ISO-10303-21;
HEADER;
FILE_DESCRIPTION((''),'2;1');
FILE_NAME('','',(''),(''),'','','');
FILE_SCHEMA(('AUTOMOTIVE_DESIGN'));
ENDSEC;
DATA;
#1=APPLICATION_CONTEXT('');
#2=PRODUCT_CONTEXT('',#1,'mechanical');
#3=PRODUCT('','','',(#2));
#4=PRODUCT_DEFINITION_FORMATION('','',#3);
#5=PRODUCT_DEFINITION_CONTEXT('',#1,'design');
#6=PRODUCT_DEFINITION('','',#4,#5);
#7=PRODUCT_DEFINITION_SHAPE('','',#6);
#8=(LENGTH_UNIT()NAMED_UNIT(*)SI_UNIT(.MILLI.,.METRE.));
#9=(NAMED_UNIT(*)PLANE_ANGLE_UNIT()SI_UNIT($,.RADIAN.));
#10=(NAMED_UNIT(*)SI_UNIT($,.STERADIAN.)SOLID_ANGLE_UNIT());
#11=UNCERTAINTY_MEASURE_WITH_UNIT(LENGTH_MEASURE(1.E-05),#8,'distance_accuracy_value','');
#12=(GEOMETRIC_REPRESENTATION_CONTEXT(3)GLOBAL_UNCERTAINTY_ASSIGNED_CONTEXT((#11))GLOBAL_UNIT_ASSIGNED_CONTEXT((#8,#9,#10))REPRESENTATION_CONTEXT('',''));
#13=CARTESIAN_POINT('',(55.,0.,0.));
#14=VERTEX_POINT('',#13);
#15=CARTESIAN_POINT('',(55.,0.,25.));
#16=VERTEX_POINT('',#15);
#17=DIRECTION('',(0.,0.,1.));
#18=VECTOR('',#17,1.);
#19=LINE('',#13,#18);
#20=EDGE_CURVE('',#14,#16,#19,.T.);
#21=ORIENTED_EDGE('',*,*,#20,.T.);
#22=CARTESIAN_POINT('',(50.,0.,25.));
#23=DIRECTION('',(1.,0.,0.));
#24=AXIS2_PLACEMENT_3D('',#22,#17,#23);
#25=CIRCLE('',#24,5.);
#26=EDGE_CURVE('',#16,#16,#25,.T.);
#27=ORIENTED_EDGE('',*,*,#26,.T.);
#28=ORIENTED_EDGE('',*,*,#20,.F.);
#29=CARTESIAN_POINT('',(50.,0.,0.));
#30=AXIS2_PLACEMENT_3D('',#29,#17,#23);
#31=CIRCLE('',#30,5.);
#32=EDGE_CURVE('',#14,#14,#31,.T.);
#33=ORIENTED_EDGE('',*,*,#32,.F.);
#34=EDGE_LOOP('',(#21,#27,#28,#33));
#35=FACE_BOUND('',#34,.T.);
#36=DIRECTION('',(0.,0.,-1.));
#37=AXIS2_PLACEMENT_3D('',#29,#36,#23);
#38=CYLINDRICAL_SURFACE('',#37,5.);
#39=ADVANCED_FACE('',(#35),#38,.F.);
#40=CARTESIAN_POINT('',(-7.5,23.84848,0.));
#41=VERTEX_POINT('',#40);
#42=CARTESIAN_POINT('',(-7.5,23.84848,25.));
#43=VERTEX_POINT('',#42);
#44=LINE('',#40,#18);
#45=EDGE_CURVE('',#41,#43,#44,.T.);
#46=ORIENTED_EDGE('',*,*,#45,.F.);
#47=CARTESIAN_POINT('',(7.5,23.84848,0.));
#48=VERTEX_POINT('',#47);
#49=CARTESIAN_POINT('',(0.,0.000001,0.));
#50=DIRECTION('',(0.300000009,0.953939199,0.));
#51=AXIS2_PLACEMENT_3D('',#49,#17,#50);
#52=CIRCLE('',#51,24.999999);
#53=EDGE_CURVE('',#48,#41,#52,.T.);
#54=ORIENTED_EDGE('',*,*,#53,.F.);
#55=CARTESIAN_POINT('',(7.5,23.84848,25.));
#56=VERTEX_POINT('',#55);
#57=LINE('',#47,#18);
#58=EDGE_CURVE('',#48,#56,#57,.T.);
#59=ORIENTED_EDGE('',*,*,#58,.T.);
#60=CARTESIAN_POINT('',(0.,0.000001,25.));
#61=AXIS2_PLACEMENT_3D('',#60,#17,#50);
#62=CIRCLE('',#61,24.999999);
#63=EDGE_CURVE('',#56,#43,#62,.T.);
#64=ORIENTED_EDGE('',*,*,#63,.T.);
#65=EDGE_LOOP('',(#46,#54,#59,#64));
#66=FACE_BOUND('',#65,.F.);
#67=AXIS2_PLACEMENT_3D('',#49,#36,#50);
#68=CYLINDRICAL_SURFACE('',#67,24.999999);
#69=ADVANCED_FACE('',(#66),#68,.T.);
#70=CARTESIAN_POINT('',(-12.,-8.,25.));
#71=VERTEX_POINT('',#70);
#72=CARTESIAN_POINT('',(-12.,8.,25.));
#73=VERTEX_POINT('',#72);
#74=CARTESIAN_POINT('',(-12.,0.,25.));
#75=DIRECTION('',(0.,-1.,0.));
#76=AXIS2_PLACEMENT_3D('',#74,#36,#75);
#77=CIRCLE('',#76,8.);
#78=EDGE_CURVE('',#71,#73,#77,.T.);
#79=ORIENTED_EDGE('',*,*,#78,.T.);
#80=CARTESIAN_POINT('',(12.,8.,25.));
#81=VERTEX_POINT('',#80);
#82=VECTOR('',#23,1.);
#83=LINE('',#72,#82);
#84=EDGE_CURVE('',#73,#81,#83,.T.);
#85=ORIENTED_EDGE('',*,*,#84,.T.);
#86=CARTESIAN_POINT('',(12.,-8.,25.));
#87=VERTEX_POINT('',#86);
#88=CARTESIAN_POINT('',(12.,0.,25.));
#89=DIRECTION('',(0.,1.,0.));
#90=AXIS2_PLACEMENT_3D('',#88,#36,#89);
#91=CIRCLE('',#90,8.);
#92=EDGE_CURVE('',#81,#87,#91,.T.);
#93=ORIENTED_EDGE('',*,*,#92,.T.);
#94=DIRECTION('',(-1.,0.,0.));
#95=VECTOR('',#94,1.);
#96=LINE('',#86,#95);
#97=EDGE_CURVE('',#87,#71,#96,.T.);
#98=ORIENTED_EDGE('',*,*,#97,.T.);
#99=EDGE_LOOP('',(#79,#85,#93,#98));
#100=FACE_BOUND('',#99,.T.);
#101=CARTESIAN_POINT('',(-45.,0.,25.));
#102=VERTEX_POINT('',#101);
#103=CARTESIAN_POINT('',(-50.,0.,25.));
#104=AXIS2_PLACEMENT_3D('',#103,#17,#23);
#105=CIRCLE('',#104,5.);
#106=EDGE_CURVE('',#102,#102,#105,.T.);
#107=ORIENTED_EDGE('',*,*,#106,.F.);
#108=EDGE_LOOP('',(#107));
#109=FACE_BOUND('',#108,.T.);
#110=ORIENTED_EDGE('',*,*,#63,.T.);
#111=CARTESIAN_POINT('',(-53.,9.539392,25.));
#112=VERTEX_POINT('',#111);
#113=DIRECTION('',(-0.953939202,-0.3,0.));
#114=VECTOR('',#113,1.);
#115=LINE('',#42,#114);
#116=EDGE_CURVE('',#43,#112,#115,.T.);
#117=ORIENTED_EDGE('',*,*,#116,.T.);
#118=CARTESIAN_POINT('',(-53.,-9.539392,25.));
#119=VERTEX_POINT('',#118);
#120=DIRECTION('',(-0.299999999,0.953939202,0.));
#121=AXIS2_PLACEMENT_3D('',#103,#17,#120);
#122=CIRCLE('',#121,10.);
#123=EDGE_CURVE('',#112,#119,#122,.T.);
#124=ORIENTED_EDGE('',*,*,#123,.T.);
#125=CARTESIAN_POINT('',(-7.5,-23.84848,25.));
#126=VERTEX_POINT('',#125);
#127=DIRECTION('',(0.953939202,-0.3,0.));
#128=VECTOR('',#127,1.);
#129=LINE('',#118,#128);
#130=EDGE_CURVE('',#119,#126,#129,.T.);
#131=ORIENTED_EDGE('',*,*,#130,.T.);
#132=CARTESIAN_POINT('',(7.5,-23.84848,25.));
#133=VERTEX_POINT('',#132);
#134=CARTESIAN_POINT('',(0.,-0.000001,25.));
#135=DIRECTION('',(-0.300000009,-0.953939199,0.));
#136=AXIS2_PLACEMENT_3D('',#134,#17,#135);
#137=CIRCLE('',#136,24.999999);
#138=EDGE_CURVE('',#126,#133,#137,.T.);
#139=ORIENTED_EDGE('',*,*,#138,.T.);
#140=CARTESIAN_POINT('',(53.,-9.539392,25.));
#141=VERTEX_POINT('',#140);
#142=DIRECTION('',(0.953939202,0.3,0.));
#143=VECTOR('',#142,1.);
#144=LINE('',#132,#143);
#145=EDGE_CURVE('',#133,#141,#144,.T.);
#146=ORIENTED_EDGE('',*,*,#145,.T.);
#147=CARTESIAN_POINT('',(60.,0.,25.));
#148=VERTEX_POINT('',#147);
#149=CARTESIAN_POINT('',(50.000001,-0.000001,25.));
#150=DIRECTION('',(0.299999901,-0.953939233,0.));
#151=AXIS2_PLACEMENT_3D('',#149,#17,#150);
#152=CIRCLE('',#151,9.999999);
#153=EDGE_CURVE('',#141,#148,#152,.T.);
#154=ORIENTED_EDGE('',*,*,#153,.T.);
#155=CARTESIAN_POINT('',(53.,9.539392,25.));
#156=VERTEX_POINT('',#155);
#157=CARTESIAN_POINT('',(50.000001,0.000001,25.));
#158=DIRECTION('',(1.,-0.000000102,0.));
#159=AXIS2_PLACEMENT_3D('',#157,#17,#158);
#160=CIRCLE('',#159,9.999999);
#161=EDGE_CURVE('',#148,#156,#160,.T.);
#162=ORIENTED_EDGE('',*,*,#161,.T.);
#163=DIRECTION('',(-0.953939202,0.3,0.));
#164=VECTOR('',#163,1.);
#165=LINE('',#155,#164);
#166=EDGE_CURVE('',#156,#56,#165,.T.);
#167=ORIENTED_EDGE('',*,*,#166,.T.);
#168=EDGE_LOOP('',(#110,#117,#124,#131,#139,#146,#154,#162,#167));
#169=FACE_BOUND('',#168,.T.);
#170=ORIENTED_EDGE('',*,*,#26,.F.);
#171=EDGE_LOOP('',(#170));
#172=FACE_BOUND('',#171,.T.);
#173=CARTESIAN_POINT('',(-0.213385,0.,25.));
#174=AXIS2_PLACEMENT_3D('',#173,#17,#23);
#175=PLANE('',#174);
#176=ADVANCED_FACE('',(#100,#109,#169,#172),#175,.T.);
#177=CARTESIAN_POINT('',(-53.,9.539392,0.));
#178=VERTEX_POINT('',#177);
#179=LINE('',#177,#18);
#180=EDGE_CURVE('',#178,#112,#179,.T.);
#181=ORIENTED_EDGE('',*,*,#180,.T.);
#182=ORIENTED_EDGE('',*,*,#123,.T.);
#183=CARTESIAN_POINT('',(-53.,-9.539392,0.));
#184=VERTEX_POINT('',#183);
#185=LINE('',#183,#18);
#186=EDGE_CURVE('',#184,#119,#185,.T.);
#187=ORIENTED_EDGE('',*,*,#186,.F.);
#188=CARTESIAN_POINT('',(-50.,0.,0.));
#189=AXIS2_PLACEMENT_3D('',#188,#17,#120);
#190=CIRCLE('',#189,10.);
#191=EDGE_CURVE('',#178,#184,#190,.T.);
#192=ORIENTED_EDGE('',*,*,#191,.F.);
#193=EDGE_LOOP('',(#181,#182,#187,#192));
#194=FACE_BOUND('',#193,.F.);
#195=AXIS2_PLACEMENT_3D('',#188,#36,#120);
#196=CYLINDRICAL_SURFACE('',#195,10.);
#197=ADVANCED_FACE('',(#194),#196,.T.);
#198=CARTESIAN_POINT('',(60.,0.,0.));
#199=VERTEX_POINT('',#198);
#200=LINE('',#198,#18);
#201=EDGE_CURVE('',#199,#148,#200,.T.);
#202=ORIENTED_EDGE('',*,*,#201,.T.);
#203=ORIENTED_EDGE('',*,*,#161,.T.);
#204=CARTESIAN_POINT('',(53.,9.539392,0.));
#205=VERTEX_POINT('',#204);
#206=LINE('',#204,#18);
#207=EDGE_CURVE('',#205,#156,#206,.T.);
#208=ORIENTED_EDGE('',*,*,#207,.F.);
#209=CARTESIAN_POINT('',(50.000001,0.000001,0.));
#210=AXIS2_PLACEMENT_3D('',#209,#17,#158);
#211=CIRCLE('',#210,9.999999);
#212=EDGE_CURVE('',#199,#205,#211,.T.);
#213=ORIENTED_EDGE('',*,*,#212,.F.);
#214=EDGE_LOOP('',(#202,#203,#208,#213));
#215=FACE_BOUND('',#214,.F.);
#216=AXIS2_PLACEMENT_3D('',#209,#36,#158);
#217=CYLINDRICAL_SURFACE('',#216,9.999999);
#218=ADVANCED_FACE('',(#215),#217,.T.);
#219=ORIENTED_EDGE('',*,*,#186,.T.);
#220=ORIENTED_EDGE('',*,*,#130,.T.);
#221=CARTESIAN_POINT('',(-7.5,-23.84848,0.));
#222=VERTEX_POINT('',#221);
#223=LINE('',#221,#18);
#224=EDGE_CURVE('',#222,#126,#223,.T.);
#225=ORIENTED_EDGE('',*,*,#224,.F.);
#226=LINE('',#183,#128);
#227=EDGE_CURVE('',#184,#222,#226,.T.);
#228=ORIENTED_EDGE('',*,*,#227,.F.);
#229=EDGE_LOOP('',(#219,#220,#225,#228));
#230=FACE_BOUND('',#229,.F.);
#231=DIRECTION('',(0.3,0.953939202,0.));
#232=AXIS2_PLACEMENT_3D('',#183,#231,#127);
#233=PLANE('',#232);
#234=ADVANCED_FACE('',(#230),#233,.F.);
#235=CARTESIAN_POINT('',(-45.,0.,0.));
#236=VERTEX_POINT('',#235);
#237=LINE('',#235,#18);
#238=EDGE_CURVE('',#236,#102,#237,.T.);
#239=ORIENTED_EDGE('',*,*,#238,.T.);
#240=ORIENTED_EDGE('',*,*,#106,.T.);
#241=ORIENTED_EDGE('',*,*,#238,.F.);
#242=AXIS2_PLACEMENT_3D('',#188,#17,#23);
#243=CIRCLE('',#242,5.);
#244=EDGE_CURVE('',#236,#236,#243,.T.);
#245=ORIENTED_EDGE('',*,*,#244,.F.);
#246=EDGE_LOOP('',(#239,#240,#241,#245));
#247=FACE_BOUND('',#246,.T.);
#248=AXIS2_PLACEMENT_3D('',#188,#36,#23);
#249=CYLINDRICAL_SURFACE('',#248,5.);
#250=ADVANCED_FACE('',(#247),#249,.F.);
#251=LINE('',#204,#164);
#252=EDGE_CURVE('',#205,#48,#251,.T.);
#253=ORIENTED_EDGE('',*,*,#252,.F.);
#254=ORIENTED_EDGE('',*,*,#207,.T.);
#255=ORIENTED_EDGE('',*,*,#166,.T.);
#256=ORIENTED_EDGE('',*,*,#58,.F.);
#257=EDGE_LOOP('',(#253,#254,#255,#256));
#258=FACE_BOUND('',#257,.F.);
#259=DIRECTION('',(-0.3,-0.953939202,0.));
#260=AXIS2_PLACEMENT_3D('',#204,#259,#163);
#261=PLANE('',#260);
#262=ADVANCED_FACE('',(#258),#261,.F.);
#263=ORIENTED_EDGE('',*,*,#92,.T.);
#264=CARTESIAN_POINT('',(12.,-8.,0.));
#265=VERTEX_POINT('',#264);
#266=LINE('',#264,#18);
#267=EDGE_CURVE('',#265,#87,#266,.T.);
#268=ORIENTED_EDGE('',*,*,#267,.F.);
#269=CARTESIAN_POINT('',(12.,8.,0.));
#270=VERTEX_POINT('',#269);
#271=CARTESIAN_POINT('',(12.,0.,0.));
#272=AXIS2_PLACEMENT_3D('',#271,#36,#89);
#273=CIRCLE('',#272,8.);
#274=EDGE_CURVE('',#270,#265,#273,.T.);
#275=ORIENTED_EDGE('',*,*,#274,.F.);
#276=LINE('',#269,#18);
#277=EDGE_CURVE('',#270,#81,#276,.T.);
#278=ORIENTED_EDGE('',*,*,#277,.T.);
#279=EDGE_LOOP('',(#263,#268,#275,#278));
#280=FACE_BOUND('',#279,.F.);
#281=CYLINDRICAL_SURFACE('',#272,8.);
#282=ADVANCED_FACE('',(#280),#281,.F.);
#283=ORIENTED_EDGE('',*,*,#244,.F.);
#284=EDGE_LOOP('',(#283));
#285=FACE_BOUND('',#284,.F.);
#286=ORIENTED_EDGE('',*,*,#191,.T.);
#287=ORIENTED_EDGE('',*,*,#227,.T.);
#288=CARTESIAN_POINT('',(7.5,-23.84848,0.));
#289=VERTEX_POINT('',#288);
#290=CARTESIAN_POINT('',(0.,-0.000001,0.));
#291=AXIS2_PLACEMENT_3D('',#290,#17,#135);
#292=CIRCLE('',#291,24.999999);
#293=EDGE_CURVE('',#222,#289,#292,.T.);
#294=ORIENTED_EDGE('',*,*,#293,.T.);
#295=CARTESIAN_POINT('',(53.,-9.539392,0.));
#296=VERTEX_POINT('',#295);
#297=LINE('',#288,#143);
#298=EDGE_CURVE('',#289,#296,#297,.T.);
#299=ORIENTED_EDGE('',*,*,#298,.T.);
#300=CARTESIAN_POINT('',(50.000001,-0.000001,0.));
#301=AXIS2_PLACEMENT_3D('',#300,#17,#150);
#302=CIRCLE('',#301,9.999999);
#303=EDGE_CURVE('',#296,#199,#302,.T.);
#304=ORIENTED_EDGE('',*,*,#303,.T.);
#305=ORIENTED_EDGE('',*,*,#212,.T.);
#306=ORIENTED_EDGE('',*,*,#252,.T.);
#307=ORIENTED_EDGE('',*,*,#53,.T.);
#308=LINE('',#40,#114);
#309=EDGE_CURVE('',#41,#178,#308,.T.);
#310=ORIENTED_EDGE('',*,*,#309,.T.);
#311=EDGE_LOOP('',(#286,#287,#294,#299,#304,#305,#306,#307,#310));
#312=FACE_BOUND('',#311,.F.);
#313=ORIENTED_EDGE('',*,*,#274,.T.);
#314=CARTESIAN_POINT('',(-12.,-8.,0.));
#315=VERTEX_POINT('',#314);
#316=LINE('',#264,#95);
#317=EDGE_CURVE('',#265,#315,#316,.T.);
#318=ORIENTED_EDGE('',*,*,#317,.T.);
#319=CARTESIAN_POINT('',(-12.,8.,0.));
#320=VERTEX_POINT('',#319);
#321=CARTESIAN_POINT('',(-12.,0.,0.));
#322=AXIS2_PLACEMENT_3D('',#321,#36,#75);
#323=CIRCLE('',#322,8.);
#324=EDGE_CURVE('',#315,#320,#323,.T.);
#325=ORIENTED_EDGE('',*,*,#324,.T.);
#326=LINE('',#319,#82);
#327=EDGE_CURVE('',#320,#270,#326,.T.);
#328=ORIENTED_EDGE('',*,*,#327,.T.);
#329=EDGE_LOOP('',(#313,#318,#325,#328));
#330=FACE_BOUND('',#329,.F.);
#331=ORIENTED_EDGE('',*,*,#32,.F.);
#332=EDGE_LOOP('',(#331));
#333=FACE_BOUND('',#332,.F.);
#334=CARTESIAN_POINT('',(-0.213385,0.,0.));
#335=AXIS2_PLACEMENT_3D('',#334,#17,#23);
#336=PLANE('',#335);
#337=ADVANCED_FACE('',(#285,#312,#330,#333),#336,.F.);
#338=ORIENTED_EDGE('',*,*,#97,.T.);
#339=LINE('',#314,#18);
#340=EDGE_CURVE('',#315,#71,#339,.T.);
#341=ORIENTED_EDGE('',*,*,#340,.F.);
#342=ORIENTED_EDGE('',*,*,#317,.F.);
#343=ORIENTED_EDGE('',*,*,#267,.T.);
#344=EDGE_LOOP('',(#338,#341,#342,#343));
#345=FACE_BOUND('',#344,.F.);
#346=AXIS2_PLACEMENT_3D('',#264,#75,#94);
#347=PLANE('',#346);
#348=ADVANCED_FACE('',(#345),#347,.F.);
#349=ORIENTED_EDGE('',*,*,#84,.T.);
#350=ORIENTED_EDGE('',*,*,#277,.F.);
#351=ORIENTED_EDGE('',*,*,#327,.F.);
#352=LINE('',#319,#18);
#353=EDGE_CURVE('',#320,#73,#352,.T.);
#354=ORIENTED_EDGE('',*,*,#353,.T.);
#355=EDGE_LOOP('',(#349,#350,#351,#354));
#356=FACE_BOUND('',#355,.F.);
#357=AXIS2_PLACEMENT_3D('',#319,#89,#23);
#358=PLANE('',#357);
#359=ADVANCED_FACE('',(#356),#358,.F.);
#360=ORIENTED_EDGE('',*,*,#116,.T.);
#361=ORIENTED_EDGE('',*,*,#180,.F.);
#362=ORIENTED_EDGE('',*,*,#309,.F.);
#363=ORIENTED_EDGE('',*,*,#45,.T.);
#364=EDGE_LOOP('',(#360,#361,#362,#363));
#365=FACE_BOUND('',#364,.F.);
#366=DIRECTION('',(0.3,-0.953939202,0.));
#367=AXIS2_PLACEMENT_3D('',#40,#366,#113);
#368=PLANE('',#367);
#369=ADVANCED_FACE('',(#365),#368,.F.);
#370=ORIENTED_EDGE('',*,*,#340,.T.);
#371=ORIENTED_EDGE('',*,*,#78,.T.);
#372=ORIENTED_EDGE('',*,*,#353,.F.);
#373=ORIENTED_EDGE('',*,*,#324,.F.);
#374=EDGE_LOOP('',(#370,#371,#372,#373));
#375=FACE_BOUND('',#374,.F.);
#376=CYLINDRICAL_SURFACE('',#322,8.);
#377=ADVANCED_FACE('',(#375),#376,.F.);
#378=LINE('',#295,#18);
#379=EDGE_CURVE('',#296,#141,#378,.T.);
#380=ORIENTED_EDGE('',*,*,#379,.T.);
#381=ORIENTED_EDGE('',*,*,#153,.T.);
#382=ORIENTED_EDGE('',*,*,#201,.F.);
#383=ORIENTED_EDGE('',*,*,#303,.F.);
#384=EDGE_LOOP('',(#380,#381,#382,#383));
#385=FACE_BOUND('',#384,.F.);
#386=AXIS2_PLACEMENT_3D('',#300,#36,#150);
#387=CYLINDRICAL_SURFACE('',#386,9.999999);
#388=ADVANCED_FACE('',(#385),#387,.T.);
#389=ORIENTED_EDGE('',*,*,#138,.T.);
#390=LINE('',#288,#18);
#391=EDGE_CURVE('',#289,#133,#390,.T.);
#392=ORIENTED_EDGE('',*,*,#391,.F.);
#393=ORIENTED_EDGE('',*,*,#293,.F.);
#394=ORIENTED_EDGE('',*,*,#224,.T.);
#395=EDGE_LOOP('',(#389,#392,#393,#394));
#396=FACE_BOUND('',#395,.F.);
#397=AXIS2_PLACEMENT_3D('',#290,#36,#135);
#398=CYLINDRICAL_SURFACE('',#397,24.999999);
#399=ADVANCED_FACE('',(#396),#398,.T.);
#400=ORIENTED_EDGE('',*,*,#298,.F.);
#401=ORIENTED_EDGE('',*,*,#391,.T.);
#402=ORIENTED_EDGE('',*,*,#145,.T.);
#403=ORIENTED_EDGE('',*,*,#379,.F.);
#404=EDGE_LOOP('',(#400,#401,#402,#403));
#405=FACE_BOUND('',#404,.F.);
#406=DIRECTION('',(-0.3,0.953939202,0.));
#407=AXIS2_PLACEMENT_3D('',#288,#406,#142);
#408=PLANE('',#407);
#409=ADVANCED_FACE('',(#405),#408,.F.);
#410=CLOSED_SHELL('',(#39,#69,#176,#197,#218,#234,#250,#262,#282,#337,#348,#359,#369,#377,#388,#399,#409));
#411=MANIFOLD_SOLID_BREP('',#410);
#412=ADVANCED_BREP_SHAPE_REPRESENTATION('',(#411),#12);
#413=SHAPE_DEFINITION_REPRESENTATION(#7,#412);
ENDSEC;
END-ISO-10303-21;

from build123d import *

# Parameters (mm, degrees)
F0_R     = 5
F1_DEPTH = 25


with BuildPart() as f1:
    # F0 (on Top) → F1 (new body)
    with BuildSketch(Plane.XY):
        with BuildLine():
            Line((-53, -9.539392), (-7.5, -23.84848))
            ThreePointArc((-7.5, -23.84848), (0, -25), (7.5, -23.84848))
            Line((7.5, -23.84848), (53, -9.539392))
            ThreePointArc((53, -9.539392), (40, 0), (53, 9.539392))
            Line((53, 9.539392), (7.5, 23.84848))
            ThreePointArc((7.5, 23.84848), (0, 25), (-7.5, 23.84848))
            Line((-7.5, 23.84848), (-53, 9.539392))
            ThreePointArc((-53, 9.539392), (-44.08392, 8.062258), (-40, 0))
            ThreePointArc((-40, 0), (-44.08392, -8.062258), (-53, -9.539392))
        make_face()
        with BuildLine():
            ThreePointArc((12, 8), (20, 0), (12, -8))
            Line((12, -8), (-12, -8))
            ThreePointArc((-12, -8), (-20, 0), (-12, 8))
            Line((-12, 8), (12, 8))
        make_face(mode=Mode.SUBTRACT)
        with BuildLine():
            ThreePointArc((-53, 9.539392), (-60, 0), (-53, -9.539392))
            ThreePointArc((-53, -9.539392), (-44.08392, -8.062258), (-40, 0))
            ThreePointArc((-40, 0), (-44.08392, 8.062258), (-53, 9.539392))
        make_face()
        with Locations((-50, 0)):
            Circle(F0_R, mode=Mode.SUBTRACT)
        with BuildLine():
            ThreePointArc((53, 9.539392), (40, 0), (53, -9.539392))
            ThreePointArc((53, -9.539392), (58.062258, -5.91608), (60, 0))
            ThreePointArc((60, 0), (58.062258, 5.91608), (53, 9.539392))
        make_face()
        with Locations((50, 0)):
            Circle(F0_R, mode=Mode.SUBTRACT)
    extrude(amount=F1_DEPTH)


solid = f1.part
